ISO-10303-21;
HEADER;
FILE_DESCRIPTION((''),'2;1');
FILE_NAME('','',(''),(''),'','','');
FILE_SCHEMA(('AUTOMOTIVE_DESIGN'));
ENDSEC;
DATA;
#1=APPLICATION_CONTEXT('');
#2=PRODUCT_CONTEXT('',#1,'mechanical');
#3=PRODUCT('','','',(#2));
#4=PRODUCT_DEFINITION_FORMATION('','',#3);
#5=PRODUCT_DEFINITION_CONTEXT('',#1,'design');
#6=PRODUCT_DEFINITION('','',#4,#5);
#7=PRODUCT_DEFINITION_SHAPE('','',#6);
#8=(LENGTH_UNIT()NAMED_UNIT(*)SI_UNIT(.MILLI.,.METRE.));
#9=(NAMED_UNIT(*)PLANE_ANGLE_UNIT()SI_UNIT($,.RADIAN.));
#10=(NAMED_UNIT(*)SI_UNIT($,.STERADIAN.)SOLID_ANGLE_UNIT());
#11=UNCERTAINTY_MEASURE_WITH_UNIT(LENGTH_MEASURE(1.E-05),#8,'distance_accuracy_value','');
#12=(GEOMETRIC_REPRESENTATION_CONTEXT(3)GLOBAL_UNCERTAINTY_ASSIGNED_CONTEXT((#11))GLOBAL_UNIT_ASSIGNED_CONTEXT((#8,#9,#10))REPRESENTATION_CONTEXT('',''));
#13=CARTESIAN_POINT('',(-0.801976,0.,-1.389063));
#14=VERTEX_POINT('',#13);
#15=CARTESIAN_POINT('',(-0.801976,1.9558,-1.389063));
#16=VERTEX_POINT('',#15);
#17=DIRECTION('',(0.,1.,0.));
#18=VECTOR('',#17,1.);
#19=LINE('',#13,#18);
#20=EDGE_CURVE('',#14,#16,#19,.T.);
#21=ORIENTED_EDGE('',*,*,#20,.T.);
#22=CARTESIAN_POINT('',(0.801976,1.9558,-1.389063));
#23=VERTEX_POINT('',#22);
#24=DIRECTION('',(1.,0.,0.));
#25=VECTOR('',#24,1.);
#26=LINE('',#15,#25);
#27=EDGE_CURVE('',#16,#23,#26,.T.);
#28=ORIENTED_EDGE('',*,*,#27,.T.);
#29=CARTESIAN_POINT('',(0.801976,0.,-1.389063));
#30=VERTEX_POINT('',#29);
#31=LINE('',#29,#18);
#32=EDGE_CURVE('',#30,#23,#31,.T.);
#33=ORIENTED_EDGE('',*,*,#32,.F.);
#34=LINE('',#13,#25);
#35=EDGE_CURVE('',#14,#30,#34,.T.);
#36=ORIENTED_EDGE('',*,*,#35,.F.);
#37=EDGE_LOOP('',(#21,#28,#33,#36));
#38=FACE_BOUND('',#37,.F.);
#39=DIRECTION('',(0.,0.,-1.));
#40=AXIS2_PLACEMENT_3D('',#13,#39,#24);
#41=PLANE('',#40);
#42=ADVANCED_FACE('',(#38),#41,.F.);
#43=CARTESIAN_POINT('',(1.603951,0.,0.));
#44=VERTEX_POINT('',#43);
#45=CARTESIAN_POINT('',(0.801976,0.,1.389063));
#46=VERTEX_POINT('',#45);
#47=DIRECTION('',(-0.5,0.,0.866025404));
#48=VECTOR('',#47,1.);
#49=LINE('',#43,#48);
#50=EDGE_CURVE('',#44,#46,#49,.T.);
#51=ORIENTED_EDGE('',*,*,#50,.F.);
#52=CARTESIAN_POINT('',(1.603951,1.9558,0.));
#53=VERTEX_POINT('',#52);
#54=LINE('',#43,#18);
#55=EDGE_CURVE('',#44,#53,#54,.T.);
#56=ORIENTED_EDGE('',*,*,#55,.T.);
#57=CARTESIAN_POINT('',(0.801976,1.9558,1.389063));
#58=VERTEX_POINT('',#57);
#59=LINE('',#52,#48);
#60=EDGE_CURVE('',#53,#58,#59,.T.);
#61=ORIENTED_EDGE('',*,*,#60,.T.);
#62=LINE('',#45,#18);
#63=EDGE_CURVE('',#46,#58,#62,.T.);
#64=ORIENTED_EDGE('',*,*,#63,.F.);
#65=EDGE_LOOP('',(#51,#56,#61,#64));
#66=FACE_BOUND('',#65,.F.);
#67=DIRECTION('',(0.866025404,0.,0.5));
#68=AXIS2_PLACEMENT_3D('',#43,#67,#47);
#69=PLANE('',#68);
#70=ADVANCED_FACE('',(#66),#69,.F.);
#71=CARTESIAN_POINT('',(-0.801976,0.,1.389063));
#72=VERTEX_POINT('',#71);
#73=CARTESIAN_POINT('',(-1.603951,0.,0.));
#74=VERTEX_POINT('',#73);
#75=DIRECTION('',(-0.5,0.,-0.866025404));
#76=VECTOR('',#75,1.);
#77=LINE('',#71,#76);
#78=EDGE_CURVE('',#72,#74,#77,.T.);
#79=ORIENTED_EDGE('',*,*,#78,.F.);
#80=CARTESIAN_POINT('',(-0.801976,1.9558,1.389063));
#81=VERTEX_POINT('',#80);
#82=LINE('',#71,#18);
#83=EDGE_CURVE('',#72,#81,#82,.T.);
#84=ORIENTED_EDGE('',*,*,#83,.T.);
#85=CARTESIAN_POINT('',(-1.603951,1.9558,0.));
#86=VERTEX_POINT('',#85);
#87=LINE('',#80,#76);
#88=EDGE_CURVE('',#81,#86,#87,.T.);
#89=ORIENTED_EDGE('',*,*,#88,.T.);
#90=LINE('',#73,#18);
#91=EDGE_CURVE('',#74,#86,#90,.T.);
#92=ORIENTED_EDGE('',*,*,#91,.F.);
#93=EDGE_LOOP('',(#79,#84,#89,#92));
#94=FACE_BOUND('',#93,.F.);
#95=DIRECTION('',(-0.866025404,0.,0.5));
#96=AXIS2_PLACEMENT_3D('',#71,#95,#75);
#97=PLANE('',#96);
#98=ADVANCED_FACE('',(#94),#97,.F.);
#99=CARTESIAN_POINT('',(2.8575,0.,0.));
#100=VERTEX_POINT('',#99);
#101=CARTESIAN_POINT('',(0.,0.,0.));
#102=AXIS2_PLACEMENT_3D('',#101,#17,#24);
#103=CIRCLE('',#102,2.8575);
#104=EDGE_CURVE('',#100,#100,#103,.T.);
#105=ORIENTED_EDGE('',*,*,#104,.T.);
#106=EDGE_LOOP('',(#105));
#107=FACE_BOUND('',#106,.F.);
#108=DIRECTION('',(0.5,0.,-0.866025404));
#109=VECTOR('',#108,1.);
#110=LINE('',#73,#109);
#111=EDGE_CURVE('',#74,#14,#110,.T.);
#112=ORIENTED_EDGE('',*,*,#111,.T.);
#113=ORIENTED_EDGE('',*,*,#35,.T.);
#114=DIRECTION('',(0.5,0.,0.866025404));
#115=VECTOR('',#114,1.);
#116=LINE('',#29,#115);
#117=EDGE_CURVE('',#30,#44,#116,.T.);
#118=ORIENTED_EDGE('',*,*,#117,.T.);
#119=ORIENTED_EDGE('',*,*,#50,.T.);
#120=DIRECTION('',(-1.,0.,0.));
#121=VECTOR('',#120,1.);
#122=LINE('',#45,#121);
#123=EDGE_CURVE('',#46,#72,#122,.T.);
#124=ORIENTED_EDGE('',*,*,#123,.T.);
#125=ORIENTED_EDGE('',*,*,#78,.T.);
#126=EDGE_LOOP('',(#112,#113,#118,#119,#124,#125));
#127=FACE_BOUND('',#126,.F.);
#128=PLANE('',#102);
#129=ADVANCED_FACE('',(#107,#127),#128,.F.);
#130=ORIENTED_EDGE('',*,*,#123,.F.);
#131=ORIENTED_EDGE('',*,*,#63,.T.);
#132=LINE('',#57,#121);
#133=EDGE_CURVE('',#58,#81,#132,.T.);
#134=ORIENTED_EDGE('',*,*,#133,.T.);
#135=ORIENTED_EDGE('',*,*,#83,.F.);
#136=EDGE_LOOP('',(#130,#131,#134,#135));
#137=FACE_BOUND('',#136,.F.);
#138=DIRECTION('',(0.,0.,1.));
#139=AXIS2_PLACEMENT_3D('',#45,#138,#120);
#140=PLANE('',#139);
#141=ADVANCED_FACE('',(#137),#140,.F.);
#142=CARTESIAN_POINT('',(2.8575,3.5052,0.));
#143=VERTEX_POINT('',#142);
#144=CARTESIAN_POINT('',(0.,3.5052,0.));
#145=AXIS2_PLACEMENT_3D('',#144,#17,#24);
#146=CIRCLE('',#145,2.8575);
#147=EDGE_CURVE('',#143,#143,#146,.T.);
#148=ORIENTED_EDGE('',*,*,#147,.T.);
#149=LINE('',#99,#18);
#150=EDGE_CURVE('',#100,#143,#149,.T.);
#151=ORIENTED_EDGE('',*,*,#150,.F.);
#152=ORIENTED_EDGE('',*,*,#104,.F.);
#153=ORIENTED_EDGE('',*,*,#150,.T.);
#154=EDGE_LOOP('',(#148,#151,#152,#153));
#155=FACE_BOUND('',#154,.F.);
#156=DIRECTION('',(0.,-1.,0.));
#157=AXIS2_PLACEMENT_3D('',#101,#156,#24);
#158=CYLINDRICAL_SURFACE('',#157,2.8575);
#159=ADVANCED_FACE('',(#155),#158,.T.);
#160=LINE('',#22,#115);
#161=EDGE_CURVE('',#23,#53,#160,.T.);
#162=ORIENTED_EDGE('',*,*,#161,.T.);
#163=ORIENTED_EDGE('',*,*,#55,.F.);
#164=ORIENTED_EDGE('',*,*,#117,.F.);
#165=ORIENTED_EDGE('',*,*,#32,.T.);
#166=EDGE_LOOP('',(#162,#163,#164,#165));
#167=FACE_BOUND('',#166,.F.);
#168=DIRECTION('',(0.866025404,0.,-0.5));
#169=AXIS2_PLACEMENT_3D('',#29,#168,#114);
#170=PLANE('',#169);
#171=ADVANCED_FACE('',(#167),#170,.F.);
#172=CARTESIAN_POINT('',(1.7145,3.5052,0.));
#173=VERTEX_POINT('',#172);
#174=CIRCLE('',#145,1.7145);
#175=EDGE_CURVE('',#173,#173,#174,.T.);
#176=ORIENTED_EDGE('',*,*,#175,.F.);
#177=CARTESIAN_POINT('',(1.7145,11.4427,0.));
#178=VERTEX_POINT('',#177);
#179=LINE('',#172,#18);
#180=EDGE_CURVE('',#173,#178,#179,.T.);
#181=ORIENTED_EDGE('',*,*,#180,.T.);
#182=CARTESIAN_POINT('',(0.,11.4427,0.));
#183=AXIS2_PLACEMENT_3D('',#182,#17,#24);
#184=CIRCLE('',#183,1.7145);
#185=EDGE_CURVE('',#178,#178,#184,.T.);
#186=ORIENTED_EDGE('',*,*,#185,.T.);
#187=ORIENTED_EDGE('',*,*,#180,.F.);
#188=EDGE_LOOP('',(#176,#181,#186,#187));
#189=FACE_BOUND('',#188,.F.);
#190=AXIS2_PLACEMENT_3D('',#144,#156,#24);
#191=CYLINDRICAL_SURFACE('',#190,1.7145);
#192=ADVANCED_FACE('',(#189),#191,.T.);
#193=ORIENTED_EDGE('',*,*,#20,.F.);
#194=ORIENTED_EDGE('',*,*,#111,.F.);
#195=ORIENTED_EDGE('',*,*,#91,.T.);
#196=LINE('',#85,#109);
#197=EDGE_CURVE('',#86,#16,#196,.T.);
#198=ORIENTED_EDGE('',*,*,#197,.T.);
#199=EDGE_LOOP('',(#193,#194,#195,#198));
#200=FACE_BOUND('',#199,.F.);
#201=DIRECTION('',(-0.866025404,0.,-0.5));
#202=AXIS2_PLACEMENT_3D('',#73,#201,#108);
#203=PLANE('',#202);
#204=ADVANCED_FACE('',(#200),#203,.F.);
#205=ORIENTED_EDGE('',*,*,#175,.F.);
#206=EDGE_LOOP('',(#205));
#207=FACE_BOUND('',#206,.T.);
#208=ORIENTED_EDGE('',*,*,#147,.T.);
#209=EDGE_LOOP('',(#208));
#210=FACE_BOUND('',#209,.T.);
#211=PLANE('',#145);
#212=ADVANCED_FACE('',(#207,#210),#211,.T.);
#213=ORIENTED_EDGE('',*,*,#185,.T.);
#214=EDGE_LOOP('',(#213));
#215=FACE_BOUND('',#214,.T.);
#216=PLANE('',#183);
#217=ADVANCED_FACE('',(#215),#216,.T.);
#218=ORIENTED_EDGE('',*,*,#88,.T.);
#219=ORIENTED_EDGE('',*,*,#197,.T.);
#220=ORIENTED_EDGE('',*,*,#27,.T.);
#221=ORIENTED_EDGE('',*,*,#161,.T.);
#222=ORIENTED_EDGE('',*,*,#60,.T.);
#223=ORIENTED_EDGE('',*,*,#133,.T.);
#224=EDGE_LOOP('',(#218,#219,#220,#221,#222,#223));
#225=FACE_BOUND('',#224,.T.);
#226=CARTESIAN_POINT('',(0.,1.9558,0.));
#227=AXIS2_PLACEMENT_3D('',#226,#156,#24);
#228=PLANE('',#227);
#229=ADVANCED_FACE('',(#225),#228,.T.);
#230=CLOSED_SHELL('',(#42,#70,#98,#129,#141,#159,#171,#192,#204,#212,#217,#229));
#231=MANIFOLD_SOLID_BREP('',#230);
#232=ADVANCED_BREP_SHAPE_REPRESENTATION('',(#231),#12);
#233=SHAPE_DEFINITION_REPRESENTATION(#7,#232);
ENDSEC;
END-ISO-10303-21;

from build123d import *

# Parameters (mm, degrees)
SKETCH1_R           = 2.8575
BOSS_EXTRUDE1_DEPTH = 3.5052
CUT_EXTRUDE1_DEPTH  = 1.9558
SKETCH3_R           = 1.7145
BOSS_EXTRUDE2_DEPTH = 7.9375


with BuildPart() as part:
    # Sketch1 → Boss-Extrude1 (new body)
    with BuildSketch(Plane(origin=(0, 0, 0), x_dir=(1, 0, 0), z_dir=(0, 1, 0))):
        Circle(SKETCH1_R)
    extrude(amount=BOSS_EXTRUDE1_DEPTH)

    # Sketch2 → Cut-Extrude1 (cut)
    with BuildSketch(Plane.XZ):
        Polygon((1.603951217, 0), (0.801975608, 1.3890625), (-0.801975608, 1.3890625), (-1.603951217, 0), (-0.801975608, -1.3890625), (0.801975608, -1.3890625), align=None)
    extrude(amount=-CUT_EXTRUDE1_DEPTH, mode=Mode.SUBTRACT)

    # Sketch3 → Boss-Extrude2 (add)
    with BuildSketch(Plane(origin=(0, 3.5052, 0), x_dir=(1, 0, 0), z_dir=(0, 1, 0))):
        Circle(SKETCH3_R)
    extrude(amount=BOSS_EXTRUDE2_DEPTH)


solid = part.part
